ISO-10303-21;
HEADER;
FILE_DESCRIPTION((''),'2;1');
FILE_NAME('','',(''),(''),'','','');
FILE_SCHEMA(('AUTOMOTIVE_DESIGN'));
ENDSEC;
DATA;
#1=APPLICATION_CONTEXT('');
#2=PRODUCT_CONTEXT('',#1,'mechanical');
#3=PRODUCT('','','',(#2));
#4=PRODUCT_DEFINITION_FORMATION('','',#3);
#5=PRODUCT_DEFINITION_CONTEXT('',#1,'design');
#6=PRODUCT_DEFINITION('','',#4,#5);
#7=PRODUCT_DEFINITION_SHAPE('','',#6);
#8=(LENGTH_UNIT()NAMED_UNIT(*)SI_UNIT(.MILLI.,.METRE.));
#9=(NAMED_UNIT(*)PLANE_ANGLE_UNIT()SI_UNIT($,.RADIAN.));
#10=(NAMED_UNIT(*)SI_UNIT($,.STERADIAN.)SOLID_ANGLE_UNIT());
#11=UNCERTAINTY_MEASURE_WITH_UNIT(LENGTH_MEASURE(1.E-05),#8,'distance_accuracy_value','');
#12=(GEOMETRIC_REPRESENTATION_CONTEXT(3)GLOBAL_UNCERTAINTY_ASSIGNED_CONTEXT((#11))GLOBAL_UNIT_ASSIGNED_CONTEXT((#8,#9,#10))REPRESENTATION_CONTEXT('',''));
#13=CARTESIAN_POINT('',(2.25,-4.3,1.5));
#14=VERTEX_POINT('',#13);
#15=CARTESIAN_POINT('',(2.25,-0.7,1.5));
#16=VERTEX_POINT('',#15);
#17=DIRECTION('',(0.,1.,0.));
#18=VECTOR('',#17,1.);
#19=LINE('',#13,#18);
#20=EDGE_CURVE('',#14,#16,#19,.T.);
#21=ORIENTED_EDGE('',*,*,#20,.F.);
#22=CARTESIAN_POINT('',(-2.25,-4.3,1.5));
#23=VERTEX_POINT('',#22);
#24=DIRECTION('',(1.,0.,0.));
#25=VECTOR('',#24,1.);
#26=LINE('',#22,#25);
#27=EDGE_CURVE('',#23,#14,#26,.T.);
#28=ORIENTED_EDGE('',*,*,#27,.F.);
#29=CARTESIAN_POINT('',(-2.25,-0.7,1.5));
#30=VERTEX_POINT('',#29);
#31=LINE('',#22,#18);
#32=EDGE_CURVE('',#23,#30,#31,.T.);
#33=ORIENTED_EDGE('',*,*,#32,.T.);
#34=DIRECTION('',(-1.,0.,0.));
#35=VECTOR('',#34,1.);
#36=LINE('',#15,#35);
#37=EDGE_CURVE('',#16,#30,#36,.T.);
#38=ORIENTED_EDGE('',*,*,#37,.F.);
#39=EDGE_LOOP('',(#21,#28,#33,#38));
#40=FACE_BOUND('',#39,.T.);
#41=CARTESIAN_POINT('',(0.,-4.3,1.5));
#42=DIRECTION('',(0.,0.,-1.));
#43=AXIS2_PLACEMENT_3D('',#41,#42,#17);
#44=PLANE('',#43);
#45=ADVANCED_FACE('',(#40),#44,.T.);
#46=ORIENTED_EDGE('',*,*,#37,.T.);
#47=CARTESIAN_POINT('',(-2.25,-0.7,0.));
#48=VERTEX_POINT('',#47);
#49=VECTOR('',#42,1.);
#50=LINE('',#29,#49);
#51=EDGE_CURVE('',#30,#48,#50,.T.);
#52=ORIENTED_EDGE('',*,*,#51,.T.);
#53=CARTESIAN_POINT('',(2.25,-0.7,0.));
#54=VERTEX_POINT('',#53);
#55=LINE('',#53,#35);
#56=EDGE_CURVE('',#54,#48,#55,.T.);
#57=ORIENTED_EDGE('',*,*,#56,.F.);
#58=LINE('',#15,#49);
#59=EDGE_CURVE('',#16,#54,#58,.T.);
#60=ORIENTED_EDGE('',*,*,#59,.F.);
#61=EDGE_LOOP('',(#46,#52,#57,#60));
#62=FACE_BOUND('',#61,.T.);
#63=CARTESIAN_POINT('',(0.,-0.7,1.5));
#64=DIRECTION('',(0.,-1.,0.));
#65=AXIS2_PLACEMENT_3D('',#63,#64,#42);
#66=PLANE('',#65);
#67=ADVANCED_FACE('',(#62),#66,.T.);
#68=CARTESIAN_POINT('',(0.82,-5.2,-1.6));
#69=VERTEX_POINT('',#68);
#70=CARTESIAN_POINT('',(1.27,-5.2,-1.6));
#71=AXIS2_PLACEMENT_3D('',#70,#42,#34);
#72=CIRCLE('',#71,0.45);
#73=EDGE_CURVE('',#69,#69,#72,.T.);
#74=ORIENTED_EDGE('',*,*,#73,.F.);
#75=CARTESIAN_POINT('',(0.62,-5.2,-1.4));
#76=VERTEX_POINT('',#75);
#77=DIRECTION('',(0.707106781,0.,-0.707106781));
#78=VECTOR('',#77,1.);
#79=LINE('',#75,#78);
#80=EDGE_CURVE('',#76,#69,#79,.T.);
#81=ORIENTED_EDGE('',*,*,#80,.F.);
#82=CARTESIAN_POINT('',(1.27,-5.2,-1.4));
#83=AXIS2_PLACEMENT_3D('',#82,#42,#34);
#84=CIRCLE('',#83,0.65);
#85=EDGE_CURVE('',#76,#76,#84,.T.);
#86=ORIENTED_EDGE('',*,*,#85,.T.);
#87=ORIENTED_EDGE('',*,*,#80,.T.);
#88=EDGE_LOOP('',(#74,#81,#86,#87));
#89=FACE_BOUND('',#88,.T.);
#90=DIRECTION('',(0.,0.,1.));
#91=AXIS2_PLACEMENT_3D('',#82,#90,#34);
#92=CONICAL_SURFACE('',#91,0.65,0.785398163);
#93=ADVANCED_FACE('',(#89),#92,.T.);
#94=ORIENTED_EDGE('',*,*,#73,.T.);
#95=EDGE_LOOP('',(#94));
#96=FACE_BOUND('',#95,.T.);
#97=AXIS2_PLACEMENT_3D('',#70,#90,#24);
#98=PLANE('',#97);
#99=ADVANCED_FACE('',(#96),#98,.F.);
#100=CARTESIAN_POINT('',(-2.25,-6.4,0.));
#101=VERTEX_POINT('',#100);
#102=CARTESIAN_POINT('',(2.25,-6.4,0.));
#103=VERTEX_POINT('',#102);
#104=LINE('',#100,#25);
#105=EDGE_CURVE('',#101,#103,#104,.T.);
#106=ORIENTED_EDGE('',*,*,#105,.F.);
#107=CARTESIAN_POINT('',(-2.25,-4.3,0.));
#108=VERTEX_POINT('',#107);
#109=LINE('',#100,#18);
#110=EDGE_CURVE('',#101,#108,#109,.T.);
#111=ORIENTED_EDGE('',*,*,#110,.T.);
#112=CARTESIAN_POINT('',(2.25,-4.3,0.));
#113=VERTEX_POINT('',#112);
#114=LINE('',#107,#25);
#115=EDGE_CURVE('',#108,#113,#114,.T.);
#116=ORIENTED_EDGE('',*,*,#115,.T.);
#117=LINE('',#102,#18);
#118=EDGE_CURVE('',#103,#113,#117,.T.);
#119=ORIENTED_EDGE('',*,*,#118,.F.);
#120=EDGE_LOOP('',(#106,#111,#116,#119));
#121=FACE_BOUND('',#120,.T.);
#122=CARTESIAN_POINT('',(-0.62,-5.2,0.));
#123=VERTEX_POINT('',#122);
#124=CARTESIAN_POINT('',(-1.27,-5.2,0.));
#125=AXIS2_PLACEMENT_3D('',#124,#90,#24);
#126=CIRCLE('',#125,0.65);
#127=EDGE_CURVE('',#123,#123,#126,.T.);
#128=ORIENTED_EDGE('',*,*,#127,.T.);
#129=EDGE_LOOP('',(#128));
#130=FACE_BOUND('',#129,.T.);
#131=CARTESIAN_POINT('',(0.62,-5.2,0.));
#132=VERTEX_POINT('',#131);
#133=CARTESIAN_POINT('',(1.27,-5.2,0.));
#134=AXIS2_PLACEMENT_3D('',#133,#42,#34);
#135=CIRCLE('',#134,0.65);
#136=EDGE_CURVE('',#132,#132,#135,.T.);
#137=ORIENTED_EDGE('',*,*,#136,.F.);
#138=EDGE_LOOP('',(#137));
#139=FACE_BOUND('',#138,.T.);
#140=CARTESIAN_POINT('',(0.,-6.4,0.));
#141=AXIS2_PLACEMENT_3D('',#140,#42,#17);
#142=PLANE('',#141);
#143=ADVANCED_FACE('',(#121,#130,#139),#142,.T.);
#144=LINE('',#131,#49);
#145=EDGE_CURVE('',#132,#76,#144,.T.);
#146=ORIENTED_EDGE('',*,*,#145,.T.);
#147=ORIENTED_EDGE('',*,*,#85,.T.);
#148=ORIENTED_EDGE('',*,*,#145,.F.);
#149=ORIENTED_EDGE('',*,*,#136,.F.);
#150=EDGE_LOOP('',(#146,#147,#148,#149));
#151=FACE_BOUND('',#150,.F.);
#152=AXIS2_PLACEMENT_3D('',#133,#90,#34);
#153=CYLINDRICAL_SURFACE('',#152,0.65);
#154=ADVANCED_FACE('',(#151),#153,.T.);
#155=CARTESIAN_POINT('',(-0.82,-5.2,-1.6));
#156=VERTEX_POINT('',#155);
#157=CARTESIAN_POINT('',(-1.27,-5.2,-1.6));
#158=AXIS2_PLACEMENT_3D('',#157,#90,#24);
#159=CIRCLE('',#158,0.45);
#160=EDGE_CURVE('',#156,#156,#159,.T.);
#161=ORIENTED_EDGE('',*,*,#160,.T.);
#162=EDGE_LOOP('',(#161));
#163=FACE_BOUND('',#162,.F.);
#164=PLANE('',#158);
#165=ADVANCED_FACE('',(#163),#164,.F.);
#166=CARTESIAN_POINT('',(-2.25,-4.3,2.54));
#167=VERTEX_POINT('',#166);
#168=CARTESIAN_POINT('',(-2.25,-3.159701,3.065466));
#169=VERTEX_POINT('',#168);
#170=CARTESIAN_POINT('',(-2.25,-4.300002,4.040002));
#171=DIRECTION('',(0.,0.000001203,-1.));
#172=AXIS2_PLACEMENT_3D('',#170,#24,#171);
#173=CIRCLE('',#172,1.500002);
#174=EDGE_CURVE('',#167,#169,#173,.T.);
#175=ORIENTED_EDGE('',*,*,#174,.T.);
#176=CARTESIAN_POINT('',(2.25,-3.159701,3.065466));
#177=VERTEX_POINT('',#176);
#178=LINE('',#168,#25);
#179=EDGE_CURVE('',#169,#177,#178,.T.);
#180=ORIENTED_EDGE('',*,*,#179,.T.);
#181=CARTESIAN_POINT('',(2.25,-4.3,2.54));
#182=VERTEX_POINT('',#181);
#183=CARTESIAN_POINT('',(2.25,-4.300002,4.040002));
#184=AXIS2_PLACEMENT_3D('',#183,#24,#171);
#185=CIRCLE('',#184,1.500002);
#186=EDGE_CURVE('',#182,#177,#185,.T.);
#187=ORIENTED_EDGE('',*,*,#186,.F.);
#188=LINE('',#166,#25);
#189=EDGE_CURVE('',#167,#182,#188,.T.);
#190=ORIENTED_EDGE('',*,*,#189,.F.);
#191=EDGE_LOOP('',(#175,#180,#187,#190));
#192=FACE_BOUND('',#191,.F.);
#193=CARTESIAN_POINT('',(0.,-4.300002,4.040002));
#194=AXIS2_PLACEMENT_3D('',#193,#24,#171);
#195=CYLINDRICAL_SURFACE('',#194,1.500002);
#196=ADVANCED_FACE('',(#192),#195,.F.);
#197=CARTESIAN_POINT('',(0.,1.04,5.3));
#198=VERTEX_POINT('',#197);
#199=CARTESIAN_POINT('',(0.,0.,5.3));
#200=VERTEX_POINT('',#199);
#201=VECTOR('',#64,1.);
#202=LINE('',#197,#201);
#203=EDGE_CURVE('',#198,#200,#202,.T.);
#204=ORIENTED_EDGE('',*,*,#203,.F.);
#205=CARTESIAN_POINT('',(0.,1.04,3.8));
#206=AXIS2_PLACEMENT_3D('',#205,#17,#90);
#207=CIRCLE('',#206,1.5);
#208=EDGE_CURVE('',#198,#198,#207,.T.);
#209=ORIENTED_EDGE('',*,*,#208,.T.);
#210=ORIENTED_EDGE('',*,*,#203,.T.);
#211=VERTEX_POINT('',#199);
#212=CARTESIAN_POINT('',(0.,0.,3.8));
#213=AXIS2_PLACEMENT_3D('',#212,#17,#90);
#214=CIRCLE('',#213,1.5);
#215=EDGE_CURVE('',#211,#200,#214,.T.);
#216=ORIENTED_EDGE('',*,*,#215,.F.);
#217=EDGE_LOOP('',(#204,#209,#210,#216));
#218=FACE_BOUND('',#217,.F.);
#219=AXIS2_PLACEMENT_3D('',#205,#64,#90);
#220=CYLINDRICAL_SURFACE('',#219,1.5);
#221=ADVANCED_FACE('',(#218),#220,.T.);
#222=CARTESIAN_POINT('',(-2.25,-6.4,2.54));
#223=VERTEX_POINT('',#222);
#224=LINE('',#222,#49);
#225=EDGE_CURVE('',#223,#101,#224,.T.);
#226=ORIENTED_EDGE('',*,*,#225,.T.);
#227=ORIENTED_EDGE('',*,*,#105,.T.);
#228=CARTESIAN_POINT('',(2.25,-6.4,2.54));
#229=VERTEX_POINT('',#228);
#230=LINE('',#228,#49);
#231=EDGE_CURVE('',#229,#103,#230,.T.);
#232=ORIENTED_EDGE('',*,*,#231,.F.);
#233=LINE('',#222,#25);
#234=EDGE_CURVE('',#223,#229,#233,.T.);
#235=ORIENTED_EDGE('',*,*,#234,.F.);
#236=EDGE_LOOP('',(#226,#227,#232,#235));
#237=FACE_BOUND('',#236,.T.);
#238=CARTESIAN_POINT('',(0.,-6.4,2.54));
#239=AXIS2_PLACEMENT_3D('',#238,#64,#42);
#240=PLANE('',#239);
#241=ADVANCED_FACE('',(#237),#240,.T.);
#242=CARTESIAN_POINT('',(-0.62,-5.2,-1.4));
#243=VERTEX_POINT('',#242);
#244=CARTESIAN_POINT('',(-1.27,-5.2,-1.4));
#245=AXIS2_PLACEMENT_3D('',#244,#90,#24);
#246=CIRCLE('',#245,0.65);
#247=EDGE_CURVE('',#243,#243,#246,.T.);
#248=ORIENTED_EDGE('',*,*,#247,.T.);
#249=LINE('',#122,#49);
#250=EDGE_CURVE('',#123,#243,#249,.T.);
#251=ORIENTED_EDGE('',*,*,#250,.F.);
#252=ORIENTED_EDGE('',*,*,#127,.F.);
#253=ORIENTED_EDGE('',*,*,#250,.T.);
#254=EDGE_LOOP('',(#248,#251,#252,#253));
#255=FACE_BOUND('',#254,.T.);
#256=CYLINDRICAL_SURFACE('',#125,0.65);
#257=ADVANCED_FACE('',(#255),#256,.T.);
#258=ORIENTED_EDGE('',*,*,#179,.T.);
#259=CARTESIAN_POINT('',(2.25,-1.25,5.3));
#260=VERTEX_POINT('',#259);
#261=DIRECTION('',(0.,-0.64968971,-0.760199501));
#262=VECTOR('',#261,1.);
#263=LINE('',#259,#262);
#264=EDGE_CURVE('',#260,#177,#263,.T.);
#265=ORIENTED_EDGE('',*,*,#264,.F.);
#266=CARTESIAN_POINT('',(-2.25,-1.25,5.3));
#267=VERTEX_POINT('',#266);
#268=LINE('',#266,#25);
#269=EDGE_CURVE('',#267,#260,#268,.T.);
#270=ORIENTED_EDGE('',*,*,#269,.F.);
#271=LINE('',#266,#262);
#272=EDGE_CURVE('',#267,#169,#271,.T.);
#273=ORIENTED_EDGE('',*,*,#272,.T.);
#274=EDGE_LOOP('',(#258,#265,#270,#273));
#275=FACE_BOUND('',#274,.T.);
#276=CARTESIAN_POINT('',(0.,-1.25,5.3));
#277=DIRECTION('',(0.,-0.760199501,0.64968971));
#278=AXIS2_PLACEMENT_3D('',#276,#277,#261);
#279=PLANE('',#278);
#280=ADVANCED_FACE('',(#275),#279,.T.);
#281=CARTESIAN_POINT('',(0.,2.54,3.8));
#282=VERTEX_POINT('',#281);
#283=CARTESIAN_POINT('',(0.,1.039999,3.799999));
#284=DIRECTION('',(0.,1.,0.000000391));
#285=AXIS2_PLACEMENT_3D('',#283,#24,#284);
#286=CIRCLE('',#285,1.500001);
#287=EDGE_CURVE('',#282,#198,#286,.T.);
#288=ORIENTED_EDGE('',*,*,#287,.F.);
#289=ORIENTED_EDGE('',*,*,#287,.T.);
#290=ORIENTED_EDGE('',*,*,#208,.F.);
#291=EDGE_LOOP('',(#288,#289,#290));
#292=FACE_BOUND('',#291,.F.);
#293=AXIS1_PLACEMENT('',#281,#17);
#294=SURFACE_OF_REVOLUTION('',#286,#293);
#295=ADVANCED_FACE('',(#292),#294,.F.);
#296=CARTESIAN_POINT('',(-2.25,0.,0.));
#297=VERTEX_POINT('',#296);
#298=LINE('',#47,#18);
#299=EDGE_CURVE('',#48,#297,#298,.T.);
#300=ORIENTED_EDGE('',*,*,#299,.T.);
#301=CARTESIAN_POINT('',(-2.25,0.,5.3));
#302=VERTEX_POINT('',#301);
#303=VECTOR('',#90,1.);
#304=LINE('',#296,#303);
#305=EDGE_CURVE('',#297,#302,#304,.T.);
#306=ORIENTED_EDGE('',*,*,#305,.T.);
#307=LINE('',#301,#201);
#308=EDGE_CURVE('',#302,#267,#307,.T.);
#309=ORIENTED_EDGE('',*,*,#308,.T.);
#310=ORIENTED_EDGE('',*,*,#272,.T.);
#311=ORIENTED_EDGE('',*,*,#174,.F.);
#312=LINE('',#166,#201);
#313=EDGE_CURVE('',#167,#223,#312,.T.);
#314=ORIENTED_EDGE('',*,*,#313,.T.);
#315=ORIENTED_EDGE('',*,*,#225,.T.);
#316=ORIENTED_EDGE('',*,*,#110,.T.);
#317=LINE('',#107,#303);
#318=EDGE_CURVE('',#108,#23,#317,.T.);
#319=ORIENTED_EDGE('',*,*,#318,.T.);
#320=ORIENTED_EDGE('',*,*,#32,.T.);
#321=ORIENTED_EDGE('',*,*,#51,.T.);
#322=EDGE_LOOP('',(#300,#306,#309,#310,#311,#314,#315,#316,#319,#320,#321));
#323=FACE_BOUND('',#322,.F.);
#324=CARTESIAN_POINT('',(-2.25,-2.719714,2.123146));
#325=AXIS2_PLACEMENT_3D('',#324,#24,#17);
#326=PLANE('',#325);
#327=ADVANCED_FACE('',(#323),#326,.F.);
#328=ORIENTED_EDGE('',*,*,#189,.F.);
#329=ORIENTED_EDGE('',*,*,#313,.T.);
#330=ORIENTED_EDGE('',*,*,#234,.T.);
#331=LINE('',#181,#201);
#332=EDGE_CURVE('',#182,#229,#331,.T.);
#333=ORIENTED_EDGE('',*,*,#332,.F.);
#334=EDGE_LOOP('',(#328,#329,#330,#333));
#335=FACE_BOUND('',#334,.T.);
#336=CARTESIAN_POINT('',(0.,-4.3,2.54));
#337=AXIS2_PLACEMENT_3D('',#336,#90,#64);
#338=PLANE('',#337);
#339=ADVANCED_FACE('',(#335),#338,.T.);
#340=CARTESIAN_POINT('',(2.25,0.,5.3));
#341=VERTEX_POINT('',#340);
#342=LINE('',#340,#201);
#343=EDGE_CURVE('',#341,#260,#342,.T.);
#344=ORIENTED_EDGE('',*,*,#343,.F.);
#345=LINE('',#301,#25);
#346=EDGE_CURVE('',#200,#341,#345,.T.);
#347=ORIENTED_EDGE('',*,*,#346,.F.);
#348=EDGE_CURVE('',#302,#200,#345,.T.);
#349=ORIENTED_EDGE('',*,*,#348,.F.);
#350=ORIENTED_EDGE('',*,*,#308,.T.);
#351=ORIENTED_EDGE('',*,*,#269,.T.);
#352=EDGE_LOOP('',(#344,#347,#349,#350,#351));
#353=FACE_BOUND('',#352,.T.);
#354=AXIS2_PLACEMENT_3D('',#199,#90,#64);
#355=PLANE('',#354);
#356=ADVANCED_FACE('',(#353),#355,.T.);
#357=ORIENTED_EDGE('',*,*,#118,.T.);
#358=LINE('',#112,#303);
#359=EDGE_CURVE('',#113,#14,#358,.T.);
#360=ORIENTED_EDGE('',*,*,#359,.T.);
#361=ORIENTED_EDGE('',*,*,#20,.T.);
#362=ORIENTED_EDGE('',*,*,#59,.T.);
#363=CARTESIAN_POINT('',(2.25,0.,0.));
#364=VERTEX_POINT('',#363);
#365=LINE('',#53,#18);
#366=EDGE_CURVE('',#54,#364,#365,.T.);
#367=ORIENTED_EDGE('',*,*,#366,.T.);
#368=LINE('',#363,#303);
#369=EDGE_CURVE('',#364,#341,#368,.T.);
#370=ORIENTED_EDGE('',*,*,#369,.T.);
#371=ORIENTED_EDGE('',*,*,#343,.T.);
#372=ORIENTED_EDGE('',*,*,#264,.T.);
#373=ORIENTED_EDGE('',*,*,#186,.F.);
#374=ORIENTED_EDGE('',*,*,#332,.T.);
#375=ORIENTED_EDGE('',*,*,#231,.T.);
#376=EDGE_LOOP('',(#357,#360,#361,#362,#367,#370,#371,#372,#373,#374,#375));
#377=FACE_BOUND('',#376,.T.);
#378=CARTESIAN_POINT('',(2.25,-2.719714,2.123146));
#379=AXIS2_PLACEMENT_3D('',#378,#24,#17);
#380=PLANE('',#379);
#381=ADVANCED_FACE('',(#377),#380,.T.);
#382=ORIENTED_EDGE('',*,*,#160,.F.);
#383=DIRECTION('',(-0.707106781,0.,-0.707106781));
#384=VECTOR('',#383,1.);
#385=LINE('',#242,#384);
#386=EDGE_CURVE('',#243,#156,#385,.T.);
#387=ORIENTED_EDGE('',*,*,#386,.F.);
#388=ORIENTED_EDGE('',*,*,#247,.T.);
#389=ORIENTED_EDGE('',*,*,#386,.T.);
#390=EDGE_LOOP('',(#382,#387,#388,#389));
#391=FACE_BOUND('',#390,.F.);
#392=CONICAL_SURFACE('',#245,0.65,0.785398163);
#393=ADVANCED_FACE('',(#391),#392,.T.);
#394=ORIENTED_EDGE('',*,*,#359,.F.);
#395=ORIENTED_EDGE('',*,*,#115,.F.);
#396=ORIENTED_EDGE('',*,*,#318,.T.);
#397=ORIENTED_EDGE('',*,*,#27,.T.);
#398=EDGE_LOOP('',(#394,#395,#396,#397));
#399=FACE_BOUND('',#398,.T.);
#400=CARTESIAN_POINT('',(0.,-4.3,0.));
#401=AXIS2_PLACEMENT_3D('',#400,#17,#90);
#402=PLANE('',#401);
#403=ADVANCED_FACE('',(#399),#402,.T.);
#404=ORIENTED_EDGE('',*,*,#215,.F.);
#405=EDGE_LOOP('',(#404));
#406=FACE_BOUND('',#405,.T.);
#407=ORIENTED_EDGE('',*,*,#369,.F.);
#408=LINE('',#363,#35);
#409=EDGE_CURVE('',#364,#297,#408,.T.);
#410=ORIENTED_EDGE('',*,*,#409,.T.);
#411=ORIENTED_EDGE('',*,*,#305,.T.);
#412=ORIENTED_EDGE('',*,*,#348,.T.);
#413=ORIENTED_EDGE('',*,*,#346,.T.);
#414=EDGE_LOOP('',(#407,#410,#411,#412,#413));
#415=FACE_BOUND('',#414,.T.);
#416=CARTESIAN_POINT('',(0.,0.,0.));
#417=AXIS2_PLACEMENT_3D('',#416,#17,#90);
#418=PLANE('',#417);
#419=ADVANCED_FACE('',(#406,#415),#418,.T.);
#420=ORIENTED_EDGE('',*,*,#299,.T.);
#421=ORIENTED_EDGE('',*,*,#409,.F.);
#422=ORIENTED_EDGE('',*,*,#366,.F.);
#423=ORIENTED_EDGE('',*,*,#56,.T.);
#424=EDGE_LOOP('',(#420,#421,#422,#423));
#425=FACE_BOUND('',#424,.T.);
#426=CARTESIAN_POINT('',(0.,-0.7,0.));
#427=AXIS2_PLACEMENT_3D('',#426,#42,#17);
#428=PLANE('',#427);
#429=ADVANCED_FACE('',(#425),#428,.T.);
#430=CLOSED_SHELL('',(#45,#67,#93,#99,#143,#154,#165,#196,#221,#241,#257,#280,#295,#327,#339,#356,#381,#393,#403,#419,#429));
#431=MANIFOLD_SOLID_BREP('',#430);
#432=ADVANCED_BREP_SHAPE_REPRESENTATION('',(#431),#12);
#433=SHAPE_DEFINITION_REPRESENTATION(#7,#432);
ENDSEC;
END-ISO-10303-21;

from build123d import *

# Parameters (mm, degrees)
PAD013_DEPTH    = 2.25
SKETCH022_R     = 0.65
PAD014_DEPTH    = 1.6
CHAMFER003_SIZE = 0.2


with BuildPart() as part:
    # Sketch020 → Pad013 (new body, symmetric)
    with BuildSketch(Plane.YZ):
        with BuildLine():
            Line((0, 0), (0, 5.3))
            Line((0, 5.3), (-1.25, 5.3))
            Line((-1.25, 5.3), (-3.159701, 3.065466))
            ThreePointArc((-4.3, 2.54), (-3.672227, 2.677686), (-3.159701, 3.065466))
            Line((-4.3, 2.54), (-6.4, 2.54))
            Line((-6.4, 2.54), (-6.4, 0))
            Line((-6.4, 0), (-4.3, 0))
            Line((-4.3, 0), (-4.3, 1.5))
            Line((-4.3, 1.5), (-0.7, 1.5))
            Line((-0.7, 1.5), (-0.7, 0))
            Line((-0.7, 0), (0, 0))
        make_face()
    extrude(amount=PAD013_DEPTH, both=True)

    # Sketch021 → Revolution (revolve)
    with BuildSketch(Plane.YZ):
        with BuildLine():
            Line((0, 3.8), (2.54, 3.8))
            ThreePointArc((2.54, 3.8), (2.10066, 4.86066), (1.04, 5.3))
            Line((1.04, 5.3), (0, 5.3))
            Line((0, 5.3), (0, 3.8))
        make_face()
    revolve(axis=Axis((0, 2.54, 3.8), (0, 1, 0)))

    # Sketch022 → Pad014 (join)
    with BuildSketch(Plane.XY):
        with Locations((-1.27, -5.2)):
            Circle(SKETCH022_R)
    pad014 = extrude(amount=-PAD014_DEPTH)

    # Mirrored003: Pad014 across Sketch022 V_Axis
    add(pad014.mirror(Plane(origin=(0, 0, 0), x_dir=(0, 0, 1), z_dir=(1, 0, 0))))

    # Chamfer003
    chamfer003_edges = [part.edges().sort_by_distance(p)[0] for p in [
        (1.92, -5.2, -1.6),
        (-1.92, -5.2, -1.6),
    ]]
    chamfer(chamfer003_edges, length=CHAMFER003_SIZE)


solid = part.part
